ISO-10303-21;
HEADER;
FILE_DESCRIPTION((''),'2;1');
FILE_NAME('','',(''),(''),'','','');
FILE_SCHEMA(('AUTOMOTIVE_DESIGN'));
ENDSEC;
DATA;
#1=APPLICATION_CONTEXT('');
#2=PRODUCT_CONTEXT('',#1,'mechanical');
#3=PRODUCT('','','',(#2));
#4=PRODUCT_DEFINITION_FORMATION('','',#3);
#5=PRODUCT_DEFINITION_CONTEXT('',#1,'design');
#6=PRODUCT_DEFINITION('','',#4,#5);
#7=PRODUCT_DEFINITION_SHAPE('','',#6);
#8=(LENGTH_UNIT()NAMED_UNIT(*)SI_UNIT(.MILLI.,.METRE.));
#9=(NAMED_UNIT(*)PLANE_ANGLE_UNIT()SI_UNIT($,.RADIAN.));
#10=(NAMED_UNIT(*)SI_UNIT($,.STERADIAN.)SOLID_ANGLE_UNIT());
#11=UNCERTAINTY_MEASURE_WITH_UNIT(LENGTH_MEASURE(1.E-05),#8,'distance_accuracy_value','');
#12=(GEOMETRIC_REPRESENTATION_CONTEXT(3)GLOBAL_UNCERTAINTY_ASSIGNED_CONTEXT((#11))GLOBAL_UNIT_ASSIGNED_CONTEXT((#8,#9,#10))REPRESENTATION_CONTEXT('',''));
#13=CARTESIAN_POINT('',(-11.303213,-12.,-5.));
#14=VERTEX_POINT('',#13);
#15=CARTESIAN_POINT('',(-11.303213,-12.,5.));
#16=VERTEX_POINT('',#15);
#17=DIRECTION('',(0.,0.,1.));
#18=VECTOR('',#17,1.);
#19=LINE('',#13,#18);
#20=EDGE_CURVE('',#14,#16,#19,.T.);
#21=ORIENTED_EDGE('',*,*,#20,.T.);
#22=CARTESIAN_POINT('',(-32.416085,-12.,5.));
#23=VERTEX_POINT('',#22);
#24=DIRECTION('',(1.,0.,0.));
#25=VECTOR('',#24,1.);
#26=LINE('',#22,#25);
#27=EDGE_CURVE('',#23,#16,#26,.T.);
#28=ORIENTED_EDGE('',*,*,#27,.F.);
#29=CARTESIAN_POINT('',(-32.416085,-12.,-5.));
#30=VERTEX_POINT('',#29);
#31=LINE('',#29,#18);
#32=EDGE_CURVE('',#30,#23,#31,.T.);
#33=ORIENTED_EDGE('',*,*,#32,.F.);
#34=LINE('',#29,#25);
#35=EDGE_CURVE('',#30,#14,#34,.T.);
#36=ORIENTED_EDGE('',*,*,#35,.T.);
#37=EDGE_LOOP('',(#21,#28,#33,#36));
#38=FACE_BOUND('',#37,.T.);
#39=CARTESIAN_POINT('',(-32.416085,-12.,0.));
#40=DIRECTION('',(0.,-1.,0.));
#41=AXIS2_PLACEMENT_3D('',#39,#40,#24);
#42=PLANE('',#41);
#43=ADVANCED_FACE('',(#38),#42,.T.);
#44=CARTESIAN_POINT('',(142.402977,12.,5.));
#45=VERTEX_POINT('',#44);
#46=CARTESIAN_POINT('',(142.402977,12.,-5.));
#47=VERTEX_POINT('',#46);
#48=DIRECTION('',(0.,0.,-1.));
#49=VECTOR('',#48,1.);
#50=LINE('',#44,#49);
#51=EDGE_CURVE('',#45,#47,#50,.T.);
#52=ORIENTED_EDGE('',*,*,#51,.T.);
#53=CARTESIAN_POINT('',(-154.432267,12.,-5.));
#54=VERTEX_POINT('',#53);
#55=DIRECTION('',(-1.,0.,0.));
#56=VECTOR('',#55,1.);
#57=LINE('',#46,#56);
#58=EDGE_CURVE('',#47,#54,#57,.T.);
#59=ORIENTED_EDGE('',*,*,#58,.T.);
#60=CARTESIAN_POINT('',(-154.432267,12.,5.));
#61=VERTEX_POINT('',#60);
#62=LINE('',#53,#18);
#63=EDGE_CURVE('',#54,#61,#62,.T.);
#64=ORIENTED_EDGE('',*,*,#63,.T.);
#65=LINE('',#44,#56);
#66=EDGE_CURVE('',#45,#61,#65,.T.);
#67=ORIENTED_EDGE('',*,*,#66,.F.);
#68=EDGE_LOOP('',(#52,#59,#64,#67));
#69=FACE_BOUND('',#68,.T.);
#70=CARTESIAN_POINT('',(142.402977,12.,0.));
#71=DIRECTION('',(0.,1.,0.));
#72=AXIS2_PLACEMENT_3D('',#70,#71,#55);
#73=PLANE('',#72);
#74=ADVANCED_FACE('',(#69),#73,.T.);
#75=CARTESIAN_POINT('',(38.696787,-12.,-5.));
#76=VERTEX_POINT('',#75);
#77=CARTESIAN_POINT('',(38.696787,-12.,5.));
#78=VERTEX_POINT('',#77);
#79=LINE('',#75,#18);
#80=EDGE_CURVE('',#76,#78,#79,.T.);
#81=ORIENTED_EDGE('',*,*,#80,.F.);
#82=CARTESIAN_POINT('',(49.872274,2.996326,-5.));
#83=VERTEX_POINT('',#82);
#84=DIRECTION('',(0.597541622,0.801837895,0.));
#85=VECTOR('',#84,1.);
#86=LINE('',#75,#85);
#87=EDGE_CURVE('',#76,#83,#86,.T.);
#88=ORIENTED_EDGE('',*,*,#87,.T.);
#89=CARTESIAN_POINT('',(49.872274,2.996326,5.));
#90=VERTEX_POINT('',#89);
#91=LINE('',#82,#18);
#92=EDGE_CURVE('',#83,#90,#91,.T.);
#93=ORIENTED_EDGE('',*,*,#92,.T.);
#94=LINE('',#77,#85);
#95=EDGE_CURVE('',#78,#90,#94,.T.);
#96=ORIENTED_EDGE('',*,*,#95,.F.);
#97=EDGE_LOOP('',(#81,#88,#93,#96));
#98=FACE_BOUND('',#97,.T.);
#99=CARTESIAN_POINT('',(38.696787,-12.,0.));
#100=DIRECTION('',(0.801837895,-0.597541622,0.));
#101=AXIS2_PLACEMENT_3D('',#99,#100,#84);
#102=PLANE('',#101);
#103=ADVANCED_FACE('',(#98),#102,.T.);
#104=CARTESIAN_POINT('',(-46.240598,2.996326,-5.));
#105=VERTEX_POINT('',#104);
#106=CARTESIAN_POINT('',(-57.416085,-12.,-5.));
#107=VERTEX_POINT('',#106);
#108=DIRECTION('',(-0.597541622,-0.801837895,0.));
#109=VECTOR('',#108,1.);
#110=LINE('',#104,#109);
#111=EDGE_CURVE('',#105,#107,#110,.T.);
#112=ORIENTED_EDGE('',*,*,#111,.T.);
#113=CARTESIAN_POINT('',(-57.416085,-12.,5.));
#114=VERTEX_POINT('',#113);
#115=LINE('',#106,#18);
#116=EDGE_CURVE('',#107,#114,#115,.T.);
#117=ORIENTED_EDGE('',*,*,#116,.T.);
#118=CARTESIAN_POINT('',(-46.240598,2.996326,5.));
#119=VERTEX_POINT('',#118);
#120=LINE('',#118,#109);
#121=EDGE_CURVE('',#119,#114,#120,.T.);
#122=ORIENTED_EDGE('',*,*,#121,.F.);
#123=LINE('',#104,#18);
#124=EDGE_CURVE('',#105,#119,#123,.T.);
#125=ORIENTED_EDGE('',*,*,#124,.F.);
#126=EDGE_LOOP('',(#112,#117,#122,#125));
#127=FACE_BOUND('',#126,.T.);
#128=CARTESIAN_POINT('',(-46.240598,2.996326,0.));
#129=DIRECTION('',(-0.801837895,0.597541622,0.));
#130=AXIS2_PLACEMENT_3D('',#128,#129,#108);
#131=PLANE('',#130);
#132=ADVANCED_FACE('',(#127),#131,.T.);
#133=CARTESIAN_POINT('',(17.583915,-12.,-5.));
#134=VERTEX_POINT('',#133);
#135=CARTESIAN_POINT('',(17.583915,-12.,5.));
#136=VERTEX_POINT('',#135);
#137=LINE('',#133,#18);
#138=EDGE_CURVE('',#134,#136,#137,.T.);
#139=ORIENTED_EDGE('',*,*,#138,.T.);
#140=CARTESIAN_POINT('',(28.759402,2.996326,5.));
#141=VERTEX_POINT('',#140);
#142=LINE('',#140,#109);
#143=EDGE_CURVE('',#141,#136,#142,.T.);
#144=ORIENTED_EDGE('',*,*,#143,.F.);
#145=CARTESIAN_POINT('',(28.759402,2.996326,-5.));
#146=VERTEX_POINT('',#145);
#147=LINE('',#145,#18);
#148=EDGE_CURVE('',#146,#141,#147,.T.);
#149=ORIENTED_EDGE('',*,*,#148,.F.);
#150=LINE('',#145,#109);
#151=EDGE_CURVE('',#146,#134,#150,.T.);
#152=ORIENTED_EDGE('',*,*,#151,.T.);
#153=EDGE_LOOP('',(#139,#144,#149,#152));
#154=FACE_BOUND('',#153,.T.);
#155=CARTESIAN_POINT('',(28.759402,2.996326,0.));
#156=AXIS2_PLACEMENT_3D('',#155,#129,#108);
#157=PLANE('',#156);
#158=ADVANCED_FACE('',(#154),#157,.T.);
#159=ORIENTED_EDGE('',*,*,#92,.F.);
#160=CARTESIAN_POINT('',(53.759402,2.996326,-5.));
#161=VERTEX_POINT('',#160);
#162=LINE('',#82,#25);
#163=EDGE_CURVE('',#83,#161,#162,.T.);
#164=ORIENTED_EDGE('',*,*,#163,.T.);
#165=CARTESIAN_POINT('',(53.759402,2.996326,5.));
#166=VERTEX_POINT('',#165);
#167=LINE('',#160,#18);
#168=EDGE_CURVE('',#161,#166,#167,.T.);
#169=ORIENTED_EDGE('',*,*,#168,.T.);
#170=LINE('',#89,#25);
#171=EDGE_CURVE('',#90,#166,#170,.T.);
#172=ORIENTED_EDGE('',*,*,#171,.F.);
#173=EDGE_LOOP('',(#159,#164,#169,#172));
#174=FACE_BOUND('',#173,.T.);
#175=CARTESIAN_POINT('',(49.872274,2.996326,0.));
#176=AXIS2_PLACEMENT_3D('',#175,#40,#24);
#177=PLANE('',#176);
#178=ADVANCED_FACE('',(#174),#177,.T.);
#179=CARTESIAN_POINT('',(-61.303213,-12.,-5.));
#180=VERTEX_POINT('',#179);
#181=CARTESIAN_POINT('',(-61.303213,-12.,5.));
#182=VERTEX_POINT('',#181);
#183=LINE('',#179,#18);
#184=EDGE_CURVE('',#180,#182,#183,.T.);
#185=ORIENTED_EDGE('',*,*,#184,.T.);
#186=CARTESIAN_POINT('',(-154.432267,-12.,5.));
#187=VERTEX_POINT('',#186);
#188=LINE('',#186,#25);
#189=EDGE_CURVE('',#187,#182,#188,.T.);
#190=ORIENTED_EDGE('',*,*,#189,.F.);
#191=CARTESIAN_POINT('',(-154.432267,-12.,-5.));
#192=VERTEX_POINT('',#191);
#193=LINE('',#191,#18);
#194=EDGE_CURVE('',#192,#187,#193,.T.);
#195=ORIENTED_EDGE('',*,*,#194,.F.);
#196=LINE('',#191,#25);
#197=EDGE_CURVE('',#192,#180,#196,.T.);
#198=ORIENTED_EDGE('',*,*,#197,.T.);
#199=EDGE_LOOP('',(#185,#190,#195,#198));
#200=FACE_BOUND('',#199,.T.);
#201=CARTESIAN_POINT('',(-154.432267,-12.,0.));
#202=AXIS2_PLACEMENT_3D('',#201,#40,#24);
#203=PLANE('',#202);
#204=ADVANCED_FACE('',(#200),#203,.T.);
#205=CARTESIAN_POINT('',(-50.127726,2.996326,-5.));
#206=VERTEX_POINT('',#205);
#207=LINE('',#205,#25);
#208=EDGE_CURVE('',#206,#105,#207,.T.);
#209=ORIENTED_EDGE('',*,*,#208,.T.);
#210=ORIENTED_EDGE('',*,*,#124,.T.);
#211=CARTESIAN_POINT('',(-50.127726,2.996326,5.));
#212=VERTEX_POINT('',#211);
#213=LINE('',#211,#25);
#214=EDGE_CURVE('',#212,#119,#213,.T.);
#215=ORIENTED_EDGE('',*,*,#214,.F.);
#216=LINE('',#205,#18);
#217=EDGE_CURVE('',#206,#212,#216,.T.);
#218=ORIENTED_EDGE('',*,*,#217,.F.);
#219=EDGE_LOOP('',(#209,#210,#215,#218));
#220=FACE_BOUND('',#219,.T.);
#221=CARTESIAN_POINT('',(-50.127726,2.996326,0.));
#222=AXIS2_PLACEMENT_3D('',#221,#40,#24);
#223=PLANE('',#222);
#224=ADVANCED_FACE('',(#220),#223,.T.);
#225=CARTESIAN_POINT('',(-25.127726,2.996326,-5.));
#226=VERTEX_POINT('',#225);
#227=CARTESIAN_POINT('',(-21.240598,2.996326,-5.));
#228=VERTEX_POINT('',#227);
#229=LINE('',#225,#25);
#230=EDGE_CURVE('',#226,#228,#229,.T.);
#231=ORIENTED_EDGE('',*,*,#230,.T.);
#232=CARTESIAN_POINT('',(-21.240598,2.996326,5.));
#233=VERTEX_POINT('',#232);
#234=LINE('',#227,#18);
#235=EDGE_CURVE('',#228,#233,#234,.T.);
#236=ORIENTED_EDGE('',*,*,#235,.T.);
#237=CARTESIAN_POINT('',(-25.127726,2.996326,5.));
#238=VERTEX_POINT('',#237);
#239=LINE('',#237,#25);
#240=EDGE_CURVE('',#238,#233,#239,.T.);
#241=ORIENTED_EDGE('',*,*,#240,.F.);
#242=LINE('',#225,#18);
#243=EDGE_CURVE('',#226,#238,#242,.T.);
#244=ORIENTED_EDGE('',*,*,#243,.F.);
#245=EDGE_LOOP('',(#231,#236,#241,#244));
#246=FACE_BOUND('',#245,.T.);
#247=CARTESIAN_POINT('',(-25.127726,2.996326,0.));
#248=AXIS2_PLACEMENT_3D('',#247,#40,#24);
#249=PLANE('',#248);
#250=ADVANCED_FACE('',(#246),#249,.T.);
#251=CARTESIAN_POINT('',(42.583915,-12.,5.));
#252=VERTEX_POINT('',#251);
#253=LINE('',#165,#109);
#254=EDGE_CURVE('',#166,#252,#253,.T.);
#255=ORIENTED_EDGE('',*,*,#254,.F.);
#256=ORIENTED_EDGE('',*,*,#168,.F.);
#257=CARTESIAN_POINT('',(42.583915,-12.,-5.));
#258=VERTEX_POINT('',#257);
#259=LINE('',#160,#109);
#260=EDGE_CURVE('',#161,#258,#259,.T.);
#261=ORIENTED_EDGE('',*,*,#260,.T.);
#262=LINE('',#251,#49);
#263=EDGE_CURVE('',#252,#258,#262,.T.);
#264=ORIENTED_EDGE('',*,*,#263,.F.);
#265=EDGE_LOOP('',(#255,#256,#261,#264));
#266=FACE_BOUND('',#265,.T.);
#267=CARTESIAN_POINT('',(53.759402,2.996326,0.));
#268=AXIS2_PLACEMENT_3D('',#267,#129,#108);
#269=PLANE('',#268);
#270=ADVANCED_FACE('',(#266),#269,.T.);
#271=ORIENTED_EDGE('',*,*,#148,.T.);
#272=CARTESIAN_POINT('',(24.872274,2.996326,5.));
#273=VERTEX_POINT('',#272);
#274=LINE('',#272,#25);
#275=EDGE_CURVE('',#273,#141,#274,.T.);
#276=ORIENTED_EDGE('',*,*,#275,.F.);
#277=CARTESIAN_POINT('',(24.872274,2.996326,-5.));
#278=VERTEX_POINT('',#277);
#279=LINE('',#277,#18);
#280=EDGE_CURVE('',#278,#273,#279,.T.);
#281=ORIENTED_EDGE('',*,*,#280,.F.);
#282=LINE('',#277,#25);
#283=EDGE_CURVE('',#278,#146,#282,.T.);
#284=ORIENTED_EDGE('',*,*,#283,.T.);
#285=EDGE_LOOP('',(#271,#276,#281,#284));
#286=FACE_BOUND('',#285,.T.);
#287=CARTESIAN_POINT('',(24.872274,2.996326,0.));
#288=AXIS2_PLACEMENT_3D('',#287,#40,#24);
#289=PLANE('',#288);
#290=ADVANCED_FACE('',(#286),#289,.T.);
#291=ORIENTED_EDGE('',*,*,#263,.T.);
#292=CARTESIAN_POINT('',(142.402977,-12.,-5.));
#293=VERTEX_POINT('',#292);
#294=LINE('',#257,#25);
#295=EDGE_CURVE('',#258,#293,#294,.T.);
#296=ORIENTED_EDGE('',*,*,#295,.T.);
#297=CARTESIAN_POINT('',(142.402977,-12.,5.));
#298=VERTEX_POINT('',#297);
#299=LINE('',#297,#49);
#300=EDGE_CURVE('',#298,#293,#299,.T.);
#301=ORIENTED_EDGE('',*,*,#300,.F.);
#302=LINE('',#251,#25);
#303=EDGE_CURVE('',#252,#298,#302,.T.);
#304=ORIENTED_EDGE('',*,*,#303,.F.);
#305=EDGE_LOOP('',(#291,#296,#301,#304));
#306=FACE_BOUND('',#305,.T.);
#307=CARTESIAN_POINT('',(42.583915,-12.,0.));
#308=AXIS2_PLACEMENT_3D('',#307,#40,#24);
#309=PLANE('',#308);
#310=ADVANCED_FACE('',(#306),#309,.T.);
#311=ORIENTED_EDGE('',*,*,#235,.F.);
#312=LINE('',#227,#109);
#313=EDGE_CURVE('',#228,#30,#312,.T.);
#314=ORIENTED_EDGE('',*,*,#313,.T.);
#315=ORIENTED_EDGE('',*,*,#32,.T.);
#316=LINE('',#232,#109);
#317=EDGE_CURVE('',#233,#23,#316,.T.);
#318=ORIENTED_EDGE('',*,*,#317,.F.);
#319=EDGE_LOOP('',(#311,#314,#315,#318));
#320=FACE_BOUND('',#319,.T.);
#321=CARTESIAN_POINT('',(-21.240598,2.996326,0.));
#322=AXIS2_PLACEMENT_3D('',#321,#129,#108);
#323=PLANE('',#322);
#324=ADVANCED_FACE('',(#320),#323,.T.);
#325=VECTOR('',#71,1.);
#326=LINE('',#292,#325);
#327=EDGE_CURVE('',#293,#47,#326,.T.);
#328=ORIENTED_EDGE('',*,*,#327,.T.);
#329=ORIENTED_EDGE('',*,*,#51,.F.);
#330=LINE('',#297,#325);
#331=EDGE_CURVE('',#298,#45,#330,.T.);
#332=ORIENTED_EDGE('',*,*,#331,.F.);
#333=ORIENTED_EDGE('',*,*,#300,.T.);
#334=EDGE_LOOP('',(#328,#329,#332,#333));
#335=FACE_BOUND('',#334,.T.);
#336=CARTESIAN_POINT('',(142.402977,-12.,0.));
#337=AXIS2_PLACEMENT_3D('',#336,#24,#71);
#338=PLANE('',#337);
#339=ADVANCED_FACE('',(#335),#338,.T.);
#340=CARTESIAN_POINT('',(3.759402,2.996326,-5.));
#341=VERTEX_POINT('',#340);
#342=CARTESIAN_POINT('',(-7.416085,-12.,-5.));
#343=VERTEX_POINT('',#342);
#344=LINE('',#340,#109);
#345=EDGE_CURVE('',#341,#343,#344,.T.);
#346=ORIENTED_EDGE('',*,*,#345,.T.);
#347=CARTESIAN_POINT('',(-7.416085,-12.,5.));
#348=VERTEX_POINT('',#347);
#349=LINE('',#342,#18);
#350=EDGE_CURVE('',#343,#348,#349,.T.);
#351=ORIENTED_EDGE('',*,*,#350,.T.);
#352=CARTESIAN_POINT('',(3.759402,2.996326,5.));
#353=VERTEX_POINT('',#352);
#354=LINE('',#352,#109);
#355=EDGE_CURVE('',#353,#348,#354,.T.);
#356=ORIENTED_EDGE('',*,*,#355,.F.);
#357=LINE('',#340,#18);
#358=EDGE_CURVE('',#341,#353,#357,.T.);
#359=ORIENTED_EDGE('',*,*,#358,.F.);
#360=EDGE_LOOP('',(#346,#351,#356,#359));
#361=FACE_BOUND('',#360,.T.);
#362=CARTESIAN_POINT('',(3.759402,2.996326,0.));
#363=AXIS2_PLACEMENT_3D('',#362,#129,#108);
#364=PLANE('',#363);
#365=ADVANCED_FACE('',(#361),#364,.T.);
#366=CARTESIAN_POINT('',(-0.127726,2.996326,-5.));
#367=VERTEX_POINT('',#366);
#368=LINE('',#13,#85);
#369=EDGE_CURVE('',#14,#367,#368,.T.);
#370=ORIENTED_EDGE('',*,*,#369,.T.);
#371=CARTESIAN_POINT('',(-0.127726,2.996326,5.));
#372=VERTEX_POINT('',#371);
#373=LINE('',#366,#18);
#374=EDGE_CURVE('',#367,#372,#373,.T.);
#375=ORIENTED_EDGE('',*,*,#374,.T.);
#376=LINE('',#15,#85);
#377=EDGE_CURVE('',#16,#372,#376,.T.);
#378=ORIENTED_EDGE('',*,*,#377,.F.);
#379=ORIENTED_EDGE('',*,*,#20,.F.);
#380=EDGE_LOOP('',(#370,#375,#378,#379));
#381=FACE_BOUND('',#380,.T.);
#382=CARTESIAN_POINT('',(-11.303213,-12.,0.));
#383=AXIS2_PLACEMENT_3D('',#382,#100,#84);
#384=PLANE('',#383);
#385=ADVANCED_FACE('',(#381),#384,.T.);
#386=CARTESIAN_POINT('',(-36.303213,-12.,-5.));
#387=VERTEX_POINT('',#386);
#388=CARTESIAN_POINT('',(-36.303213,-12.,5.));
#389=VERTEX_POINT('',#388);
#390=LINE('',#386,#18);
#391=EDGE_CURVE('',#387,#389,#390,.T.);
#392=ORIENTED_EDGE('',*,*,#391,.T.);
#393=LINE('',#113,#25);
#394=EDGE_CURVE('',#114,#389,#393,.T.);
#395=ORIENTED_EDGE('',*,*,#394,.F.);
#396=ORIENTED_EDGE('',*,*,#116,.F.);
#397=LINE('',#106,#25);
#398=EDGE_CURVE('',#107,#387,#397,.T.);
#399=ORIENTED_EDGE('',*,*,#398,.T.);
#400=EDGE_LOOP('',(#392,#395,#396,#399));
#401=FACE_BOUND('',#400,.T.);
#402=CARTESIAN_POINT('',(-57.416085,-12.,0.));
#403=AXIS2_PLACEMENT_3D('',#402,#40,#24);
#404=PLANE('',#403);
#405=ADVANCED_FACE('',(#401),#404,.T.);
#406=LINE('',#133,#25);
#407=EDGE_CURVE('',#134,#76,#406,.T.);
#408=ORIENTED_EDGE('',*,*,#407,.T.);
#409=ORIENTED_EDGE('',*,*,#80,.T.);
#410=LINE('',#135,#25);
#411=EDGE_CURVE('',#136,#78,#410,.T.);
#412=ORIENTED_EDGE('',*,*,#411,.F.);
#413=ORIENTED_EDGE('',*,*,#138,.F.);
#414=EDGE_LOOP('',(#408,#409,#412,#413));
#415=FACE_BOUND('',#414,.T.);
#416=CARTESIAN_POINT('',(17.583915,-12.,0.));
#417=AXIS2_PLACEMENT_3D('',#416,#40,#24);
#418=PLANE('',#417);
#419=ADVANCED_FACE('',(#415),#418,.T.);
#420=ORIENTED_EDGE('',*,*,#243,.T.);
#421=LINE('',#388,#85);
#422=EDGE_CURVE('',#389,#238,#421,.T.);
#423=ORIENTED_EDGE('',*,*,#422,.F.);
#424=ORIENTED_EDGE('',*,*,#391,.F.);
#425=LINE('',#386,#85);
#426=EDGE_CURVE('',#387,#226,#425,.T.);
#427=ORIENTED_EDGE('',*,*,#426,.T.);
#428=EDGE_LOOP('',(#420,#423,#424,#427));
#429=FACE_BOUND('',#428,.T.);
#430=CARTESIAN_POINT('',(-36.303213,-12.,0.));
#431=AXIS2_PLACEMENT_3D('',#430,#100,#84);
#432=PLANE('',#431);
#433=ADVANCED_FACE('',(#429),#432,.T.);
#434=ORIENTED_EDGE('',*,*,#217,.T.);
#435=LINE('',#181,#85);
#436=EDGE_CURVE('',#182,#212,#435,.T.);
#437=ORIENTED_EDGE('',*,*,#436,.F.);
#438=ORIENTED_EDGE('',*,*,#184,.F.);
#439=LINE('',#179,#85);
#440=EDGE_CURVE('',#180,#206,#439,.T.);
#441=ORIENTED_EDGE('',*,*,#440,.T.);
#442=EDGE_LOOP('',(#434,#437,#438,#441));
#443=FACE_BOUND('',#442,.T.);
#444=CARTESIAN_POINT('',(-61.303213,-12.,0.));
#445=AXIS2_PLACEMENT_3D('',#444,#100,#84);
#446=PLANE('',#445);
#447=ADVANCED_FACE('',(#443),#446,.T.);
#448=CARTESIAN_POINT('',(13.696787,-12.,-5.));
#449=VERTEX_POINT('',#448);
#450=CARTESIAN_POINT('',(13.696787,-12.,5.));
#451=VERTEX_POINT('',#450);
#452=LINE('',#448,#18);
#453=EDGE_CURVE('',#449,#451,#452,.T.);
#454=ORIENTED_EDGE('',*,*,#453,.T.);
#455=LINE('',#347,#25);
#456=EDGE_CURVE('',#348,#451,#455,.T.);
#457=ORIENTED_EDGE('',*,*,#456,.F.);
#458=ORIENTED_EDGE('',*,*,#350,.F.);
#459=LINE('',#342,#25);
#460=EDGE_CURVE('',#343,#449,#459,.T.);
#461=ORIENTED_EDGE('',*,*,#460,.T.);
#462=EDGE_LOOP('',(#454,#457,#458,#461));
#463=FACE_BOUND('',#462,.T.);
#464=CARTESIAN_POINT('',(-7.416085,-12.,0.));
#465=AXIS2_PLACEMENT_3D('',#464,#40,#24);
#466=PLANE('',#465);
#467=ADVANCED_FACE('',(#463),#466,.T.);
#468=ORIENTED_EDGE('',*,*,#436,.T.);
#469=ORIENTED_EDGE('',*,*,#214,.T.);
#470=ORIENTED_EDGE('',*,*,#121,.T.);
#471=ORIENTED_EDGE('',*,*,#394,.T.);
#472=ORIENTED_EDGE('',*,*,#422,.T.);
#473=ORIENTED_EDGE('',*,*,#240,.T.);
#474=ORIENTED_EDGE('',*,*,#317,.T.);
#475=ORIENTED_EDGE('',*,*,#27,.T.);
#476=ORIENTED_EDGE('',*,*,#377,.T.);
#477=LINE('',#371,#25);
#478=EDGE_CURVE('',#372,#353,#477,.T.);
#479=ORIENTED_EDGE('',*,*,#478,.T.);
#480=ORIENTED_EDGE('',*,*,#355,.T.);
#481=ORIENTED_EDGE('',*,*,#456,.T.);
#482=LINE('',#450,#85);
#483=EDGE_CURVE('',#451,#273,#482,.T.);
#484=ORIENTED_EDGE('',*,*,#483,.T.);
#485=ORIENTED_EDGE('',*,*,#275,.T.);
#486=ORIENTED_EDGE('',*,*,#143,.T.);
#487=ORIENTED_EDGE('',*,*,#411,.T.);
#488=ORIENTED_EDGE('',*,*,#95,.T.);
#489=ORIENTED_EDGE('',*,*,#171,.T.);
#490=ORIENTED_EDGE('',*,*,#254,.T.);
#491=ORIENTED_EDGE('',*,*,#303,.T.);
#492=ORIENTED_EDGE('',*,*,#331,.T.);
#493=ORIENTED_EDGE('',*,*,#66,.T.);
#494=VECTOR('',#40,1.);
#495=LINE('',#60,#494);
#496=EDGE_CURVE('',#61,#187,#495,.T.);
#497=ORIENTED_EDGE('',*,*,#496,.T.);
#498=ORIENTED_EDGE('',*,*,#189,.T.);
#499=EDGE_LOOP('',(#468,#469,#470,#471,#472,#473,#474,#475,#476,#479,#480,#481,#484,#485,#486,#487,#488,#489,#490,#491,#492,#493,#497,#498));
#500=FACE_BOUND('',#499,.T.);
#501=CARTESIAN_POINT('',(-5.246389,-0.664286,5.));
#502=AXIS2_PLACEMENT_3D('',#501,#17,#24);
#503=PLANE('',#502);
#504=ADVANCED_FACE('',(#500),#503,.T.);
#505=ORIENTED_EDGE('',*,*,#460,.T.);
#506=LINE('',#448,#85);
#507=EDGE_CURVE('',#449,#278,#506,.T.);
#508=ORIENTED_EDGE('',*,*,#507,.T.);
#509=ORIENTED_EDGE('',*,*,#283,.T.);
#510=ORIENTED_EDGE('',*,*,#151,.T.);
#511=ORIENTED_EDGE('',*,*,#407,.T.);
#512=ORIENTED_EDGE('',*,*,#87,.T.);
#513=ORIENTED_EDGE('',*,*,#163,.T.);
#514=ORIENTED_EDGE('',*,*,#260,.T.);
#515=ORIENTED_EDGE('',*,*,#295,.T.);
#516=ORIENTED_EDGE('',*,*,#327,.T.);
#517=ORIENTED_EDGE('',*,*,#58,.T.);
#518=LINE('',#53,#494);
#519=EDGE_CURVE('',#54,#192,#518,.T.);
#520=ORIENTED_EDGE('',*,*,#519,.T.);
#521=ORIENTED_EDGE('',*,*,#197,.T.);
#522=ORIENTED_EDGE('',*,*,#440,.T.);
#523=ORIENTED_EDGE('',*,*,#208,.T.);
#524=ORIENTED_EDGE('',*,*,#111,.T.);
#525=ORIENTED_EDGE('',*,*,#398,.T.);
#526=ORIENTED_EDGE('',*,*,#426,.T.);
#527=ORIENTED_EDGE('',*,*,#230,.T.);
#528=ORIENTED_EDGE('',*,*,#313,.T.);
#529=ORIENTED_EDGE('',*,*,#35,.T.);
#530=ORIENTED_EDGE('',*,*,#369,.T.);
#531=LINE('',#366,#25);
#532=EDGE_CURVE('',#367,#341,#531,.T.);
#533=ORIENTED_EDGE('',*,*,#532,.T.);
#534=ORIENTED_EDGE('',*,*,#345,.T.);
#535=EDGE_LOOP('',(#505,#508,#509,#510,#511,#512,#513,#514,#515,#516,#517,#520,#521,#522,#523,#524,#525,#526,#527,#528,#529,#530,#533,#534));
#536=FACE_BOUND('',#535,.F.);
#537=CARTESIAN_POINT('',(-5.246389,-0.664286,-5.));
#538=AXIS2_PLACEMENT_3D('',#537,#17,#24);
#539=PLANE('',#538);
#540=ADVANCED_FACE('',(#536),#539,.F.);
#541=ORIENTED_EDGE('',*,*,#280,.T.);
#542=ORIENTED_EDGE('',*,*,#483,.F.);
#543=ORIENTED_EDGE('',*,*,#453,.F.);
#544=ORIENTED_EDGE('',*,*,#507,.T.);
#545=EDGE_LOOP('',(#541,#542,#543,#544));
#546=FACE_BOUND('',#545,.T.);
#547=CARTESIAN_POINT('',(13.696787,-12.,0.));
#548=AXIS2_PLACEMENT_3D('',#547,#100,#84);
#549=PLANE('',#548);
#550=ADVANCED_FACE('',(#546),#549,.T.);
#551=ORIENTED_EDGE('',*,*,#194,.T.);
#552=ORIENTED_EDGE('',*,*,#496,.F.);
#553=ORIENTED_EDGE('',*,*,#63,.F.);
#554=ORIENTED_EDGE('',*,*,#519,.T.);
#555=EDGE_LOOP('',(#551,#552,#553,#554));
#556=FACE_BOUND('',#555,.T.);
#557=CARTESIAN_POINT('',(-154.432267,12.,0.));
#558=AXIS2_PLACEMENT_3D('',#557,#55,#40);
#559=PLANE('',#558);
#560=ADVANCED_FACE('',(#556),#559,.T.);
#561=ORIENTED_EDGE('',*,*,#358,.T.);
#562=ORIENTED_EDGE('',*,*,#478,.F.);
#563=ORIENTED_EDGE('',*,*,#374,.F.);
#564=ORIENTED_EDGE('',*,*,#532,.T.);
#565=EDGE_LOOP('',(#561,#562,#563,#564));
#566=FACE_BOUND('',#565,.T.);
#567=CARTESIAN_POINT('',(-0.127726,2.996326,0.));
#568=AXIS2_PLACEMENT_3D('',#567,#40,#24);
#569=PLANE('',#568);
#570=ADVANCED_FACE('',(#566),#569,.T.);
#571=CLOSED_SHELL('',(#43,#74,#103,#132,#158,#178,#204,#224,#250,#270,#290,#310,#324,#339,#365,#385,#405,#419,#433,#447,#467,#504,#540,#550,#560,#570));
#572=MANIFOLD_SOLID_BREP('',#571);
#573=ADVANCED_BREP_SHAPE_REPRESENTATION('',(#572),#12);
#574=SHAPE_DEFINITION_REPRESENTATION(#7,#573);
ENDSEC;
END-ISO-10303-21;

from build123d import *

# Parameters (mm, degrees)
F1_DEPTH      = 5
F1_DEPTH_BACK = 5


with BuildPart() as f1:
    # F0 (on Top) → F1 (new body, two sides)
    with BuildSketch(Plane.XY) as f1_sk:
        Polygon((142.402977, 12), (-154.432267, 12), (-154.432267, -12), (-61.303213, -12), (-50.127726, 2.996326), (-46.240598, 2.996326), (-57.416085, -12), (-36.303213, -12), (-25.127726, 2.996326), (-21.240598, 2.996326), (-32.416085, -12), (-11.303213, -12), (-0.127726, 2.996326), (3.759402, 2.996326), (-7.416085, -12), (13.696787, -12), (24.872274, 2.996326), (28.759402, 2.996326), (17.583915, -12), (38.696787, -12), (49.872274, 2.996326), (53.759402, 2.996326), (42.583915, -12), (142.402977, -12), align=None)
    extrude(amount=F1_DEPTH)
    extrude(f1_sk.sketch, amount=-F1_DEPTH_BACK)


solid = f1.part
